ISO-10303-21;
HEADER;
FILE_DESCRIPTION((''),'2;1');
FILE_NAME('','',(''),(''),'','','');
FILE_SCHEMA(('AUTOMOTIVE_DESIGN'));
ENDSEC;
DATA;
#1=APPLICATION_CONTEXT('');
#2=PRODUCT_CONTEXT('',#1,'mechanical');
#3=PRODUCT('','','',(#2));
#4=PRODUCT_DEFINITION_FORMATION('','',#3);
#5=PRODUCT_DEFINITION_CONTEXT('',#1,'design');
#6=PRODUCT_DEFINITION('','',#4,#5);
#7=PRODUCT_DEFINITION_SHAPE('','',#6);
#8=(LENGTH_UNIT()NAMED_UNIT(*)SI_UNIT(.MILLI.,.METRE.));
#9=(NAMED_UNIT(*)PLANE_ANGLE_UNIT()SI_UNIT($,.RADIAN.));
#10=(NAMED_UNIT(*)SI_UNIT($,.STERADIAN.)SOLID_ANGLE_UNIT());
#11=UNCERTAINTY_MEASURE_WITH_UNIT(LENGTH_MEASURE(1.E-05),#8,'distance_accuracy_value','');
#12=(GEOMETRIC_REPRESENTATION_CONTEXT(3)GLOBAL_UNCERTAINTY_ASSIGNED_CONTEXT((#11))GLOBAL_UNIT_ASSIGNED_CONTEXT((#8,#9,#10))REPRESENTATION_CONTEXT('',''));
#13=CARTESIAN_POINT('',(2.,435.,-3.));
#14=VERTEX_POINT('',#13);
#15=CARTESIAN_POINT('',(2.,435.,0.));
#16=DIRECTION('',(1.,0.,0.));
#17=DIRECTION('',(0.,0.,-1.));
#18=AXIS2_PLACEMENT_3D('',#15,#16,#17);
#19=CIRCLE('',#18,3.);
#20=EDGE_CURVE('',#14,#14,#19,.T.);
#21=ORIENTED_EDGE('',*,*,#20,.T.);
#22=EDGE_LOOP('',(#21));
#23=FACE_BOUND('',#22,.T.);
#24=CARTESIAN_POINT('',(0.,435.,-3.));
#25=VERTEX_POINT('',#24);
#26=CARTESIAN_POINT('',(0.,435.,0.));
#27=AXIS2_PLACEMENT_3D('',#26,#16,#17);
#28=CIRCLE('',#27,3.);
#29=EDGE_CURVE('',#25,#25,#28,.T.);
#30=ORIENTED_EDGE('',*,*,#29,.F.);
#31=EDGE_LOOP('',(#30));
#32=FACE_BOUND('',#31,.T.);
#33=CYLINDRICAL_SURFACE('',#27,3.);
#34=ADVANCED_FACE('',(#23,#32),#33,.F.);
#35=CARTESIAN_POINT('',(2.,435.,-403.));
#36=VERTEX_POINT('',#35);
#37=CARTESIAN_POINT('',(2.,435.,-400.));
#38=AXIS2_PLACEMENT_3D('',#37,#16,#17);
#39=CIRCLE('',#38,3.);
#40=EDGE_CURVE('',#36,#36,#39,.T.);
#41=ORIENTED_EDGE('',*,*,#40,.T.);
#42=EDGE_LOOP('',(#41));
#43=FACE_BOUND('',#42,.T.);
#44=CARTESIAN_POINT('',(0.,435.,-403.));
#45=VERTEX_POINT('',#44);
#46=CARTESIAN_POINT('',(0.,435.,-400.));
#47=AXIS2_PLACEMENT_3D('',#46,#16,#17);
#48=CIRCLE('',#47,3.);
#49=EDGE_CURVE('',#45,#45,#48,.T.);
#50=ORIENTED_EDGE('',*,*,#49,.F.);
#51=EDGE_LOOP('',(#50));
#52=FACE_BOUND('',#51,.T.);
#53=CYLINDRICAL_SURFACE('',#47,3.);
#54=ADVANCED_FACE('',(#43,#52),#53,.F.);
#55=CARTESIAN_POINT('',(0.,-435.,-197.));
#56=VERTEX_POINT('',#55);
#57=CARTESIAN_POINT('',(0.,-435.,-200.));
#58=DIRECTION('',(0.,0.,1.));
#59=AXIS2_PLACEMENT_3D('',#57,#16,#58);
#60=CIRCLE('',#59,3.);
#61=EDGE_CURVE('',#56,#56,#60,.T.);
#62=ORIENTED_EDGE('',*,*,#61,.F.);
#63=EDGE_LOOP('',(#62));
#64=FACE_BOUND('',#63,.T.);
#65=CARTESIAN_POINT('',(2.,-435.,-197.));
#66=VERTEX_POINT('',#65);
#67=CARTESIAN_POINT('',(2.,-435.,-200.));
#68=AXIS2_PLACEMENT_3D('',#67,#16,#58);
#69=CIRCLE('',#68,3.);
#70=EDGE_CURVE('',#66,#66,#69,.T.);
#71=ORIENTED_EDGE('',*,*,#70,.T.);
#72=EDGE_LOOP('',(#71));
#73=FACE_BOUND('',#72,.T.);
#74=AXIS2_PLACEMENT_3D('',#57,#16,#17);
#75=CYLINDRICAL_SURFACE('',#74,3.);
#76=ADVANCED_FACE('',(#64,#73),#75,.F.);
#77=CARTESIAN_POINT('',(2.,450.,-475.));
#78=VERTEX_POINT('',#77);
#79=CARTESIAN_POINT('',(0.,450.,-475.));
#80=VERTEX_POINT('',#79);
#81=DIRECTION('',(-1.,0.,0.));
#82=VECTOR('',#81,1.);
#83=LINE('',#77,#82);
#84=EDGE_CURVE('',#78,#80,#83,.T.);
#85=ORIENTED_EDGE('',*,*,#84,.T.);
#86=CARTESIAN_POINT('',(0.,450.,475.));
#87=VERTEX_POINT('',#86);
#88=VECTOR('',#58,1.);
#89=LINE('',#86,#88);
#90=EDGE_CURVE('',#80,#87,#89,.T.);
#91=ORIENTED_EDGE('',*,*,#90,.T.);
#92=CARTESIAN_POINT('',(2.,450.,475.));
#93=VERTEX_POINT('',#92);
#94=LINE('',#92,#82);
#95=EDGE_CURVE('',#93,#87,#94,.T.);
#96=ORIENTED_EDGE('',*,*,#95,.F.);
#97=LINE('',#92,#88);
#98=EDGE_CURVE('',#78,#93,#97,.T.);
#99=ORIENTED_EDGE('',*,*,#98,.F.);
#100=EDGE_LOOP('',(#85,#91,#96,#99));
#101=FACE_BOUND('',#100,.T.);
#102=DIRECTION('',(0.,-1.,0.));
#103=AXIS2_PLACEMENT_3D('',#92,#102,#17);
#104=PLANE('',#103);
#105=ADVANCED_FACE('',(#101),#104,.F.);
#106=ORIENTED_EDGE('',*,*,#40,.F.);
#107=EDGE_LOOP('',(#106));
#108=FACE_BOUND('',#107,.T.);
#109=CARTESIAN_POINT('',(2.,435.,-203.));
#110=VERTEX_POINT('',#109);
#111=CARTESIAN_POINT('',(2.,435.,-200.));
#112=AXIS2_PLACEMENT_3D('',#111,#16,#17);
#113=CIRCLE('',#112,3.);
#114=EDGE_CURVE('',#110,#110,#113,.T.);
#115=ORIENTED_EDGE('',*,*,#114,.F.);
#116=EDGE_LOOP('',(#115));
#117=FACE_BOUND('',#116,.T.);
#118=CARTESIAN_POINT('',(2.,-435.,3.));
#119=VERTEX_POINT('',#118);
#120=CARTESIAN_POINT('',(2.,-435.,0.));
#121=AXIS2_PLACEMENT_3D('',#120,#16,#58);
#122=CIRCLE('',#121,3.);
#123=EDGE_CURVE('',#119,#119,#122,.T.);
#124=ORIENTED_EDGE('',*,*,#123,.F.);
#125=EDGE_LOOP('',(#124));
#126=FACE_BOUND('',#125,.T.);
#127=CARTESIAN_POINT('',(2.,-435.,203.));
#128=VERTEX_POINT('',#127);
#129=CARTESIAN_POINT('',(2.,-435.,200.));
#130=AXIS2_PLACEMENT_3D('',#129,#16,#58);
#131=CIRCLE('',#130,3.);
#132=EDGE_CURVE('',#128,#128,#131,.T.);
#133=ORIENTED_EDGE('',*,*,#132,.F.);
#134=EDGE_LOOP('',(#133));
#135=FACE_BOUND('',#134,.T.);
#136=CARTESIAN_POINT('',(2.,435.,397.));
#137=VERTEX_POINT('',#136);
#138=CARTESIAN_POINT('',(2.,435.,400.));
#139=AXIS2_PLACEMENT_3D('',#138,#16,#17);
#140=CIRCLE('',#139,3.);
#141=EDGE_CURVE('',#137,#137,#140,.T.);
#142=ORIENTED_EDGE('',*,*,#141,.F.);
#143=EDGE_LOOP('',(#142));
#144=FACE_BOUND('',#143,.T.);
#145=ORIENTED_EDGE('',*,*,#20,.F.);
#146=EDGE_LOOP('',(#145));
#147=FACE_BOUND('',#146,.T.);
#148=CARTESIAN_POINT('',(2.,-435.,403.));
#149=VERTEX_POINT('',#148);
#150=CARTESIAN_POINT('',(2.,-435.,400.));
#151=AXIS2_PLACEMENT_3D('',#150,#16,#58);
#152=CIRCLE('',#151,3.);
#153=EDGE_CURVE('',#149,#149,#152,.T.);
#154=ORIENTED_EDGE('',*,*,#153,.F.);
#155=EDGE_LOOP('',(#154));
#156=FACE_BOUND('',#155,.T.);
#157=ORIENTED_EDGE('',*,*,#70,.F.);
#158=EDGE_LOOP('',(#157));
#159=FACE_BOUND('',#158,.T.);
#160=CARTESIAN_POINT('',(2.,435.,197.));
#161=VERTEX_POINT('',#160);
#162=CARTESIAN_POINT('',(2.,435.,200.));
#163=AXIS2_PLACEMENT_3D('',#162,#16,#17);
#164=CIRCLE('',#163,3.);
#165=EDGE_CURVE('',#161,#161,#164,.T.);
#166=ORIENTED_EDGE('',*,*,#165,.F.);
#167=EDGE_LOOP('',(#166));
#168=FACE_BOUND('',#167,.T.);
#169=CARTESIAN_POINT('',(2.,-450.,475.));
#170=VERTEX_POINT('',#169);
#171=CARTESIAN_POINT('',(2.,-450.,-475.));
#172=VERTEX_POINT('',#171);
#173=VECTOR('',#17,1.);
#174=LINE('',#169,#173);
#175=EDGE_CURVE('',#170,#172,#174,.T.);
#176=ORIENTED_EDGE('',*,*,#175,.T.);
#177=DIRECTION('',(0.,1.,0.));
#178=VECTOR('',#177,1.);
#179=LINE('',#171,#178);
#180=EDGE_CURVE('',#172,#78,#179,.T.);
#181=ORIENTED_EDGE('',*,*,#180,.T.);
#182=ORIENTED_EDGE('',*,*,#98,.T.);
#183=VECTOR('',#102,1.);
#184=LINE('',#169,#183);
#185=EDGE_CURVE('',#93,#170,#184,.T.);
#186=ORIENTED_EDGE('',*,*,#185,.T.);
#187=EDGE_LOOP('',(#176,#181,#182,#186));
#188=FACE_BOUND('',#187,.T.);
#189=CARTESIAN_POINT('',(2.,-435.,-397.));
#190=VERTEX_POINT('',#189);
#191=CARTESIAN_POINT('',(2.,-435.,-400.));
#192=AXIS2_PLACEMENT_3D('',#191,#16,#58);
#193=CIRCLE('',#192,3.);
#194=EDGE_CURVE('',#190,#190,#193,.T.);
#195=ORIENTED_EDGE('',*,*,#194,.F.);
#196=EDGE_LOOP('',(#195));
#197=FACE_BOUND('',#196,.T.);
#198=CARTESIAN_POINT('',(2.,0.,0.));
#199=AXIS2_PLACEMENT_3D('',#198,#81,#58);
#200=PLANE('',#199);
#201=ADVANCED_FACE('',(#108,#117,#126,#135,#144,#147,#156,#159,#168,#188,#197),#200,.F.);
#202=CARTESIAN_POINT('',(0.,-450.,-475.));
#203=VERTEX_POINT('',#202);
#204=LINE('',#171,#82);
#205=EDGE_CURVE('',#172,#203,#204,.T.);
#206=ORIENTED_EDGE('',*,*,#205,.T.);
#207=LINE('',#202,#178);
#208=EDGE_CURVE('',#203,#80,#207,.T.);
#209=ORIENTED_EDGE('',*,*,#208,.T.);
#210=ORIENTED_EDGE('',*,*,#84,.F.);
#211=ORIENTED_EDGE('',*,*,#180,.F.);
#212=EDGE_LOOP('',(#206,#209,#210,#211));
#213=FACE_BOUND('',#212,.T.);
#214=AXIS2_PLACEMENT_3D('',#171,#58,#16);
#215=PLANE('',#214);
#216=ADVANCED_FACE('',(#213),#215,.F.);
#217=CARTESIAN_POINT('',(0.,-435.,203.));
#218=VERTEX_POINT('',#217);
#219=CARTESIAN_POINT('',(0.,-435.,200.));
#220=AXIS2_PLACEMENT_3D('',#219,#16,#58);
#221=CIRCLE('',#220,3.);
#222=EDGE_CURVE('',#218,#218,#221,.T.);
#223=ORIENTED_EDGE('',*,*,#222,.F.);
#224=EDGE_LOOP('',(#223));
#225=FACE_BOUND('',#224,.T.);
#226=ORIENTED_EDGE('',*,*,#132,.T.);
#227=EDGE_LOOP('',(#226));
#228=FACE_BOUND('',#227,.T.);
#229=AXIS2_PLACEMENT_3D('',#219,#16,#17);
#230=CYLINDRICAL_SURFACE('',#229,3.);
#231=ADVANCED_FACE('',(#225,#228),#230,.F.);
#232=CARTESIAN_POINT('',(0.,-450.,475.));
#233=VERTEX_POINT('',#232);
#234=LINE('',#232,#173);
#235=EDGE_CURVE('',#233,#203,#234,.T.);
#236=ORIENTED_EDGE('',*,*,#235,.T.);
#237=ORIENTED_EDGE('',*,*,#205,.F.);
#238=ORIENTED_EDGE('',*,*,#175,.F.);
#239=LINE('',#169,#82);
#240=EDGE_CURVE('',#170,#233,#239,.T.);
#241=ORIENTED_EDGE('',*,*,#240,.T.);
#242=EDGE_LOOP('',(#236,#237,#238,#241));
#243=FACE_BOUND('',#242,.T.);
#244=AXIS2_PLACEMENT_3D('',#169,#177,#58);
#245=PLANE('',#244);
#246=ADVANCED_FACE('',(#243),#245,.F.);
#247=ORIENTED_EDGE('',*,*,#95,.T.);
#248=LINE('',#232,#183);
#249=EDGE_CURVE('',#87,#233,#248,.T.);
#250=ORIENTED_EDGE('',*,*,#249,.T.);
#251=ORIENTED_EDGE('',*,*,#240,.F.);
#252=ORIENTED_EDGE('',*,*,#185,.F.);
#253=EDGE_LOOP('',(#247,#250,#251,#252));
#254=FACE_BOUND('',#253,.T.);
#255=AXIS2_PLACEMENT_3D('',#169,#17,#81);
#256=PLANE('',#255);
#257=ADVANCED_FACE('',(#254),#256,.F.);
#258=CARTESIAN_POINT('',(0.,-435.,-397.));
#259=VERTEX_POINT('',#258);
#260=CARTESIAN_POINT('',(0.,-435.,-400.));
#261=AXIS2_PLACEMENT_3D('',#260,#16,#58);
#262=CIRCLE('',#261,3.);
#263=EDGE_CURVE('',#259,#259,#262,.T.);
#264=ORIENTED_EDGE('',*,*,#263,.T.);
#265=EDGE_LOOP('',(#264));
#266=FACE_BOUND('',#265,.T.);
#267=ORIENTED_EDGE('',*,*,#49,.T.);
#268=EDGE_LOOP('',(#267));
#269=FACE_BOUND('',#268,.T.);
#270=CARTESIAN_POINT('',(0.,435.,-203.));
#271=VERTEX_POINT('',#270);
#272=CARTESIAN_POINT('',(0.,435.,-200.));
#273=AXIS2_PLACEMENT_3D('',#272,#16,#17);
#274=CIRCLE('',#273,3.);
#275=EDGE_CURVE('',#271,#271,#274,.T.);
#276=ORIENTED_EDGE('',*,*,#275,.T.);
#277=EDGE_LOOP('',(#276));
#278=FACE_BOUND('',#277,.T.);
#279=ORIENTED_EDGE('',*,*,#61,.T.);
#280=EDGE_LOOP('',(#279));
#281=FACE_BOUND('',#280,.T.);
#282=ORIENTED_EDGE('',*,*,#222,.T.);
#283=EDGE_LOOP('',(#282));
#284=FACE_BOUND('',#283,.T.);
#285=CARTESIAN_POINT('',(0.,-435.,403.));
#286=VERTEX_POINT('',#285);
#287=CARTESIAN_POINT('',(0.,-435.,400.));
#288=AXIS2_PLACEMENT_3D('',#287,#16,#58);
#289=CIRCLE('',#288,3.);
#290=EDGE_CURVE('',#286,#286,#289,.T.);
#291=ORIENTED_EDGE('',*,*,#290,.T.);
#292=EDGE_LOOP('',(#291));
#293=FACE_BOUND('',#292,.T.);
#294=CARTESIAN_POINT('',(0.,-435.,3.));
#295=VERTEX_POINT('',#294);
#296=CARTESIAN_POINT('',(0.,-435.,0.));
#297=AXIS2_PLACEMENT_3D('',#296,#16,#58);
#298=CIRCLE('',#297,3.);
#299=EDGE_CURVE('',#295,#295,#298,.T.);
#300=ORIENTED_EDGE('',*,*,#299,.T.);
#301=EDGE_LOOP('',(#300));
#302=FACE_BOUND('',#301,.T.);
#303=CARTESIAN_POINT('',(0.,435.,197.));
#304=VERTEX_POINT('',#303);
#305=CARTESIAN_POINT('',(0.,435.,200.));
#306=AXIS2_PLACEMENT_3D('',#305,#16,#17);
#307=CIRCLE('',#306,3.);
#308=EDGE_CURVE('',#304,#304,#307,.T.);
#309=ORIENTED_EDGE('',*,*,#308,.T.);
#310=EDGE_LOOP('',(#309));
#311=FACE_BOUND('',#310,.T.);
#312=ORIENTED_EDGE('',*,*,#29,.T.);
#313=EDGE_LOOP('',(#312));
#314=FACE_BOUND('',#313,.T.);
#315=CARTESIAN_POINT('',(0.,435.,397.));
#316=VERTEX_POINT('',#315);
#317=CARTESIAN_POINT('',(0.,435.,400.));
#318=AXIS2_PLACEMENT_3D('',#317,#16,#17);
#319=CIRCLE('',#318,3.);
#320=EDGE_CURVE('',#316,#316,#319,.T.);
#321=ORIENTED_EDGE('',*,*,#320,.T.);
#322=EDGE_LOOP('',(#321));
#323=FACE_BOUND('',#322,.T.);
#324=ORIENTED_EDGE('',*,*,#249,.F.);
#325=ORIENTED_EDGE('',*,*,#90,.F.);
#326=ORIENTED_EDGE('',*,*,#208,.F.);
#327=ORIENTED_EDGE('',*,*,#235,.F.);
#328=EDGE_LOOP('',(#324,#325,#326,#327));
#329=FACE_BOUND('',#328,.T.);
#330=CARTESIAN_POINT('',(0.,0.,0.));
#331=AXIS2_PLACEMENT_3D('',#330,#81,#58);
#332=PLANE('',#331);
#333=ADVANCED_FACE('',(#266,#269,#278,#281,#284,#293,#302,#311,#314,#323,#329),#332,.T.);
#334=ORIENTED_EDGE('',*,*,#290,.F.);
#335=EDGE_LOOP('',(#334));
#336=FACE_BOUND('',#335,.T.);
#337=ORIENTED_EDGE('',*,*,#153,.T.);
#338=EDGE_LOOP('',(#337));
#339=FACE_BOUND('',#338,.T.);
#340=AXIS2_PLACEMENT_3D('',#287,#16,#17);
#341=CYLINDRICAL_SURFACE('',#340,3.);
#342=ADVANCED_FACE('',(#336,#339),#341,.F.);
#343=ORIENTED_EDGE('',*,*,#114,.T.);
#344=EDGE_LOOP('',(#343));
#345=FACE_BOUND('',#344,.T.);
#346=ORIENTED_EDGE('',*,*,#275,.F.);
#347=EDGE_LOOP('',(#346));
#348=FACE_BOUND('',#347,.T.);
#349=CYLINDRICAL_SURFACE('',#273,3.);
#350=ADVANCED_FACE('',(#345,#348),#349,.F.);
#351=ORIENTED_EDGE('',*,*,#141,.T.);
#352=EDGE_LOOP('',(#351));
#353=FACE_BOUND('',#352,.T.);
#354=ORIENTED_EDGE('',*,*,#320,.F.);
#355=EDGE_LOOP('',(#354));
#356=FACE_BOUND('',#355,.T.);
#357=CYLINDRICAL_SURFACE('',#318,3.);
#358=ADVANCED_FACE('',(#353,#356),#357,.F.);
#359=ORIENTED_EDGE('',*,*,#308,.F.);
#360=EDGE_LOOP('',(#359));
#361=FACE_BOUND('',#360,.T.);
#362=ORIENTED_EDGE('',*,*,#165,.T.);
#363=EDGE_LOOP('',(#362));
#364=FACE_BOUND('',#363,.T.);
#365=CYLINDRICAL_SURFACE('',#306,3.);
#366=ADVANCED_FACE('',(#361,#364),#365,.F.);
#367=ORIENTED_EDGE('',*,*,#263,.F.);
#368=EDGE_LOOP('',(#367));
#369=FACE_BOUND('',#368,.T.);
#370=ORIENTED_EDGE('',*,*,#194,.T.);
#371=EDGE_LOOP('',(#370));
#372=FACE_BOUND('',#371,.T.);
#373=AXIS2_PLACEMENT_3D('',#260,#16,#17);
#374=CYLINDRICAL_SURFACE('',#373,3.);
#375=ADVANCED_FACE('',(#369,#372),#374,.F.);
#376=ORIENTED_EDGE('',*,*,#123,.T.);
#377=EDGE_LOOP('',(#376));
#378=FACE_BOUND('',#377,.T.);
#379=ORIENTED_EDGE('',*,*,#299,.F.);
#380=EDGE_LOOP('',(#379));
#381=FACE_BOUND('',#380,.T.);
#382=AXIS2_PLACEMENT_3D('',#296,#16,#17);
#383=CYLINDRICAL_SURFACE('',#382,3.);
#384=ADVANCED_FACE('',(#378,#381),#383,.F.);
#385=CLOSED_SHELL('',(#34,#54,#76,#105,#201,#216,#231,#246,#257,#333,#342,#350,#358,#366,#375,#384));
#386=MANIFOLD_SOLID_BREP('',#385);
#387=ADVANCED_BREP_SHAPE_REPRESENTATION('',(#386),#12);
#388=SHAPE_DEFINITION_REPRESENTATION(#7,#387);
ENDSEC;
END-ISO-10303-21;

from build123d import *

# Parameters (mm, degrees)
SKETCH1_W           = 950
SKETCH1_H           = 900
BOSS_EXTRUDE2_DEPTH = 2
SKETCH3_R           = 3
CUT_EXTRUDE1_DEPTH  = 2


with BuildPart() as part:
    # Sketch1 → Boss-Extrude2 (new body)
    with BuildSketch(Plane(origin=(0, 0, 0), x_dir=(0, 0, -1), z_dir=(1, 0, 0))):
        Rectangle(SKETCH1_W, SKETCH1_H)
    extrude(amount=BOSS_EXTRUDE2_DEPTH)

    # Sketch3 → Cut-Extrude1 (cut)
    with BuildSketch(Plane(origin=(2, 0, 0), x_dir=(0, 0, -1), z_dir=(1, 0, 0))):
        with Locations((-400, 435)):
            Circle(SKETCH3_R)
        with Locations((-200, 435)):
            Circle(SKETCH3_R)
        with Locations((0, 435)):
            Circle(SKETCH3_R)
        with Locations((200, 435)):
            Circle(SKETCH3_R)
        with Locations((400, 435)):
            Circle(SKETCH3_R)
        with Locations(Location((400, -435, 0), (0, 0, 180))):
            Circle(SKETCH3_R)
        with Locations(Location((0, -435, 0), (0, 0, 180))):
            Circle(SKETCH3_R)
        with Locations(Location((200, -435, 0), (0, 0, 180))):
            Circle(SKETCH3_R)
        with Locations(Location((-200, -435, 0), (0, 0, 180))):
            Circle(SKETCH3_R)
        with Locations(Location((-400, -435, 0), (0, 0, 180))):
            Circle(SKETCH3_R)
    extrude(amount=-CUT_EXTRUDE1_DEPTH, mode=Mode.SUBTRACT)


solid = part.part
